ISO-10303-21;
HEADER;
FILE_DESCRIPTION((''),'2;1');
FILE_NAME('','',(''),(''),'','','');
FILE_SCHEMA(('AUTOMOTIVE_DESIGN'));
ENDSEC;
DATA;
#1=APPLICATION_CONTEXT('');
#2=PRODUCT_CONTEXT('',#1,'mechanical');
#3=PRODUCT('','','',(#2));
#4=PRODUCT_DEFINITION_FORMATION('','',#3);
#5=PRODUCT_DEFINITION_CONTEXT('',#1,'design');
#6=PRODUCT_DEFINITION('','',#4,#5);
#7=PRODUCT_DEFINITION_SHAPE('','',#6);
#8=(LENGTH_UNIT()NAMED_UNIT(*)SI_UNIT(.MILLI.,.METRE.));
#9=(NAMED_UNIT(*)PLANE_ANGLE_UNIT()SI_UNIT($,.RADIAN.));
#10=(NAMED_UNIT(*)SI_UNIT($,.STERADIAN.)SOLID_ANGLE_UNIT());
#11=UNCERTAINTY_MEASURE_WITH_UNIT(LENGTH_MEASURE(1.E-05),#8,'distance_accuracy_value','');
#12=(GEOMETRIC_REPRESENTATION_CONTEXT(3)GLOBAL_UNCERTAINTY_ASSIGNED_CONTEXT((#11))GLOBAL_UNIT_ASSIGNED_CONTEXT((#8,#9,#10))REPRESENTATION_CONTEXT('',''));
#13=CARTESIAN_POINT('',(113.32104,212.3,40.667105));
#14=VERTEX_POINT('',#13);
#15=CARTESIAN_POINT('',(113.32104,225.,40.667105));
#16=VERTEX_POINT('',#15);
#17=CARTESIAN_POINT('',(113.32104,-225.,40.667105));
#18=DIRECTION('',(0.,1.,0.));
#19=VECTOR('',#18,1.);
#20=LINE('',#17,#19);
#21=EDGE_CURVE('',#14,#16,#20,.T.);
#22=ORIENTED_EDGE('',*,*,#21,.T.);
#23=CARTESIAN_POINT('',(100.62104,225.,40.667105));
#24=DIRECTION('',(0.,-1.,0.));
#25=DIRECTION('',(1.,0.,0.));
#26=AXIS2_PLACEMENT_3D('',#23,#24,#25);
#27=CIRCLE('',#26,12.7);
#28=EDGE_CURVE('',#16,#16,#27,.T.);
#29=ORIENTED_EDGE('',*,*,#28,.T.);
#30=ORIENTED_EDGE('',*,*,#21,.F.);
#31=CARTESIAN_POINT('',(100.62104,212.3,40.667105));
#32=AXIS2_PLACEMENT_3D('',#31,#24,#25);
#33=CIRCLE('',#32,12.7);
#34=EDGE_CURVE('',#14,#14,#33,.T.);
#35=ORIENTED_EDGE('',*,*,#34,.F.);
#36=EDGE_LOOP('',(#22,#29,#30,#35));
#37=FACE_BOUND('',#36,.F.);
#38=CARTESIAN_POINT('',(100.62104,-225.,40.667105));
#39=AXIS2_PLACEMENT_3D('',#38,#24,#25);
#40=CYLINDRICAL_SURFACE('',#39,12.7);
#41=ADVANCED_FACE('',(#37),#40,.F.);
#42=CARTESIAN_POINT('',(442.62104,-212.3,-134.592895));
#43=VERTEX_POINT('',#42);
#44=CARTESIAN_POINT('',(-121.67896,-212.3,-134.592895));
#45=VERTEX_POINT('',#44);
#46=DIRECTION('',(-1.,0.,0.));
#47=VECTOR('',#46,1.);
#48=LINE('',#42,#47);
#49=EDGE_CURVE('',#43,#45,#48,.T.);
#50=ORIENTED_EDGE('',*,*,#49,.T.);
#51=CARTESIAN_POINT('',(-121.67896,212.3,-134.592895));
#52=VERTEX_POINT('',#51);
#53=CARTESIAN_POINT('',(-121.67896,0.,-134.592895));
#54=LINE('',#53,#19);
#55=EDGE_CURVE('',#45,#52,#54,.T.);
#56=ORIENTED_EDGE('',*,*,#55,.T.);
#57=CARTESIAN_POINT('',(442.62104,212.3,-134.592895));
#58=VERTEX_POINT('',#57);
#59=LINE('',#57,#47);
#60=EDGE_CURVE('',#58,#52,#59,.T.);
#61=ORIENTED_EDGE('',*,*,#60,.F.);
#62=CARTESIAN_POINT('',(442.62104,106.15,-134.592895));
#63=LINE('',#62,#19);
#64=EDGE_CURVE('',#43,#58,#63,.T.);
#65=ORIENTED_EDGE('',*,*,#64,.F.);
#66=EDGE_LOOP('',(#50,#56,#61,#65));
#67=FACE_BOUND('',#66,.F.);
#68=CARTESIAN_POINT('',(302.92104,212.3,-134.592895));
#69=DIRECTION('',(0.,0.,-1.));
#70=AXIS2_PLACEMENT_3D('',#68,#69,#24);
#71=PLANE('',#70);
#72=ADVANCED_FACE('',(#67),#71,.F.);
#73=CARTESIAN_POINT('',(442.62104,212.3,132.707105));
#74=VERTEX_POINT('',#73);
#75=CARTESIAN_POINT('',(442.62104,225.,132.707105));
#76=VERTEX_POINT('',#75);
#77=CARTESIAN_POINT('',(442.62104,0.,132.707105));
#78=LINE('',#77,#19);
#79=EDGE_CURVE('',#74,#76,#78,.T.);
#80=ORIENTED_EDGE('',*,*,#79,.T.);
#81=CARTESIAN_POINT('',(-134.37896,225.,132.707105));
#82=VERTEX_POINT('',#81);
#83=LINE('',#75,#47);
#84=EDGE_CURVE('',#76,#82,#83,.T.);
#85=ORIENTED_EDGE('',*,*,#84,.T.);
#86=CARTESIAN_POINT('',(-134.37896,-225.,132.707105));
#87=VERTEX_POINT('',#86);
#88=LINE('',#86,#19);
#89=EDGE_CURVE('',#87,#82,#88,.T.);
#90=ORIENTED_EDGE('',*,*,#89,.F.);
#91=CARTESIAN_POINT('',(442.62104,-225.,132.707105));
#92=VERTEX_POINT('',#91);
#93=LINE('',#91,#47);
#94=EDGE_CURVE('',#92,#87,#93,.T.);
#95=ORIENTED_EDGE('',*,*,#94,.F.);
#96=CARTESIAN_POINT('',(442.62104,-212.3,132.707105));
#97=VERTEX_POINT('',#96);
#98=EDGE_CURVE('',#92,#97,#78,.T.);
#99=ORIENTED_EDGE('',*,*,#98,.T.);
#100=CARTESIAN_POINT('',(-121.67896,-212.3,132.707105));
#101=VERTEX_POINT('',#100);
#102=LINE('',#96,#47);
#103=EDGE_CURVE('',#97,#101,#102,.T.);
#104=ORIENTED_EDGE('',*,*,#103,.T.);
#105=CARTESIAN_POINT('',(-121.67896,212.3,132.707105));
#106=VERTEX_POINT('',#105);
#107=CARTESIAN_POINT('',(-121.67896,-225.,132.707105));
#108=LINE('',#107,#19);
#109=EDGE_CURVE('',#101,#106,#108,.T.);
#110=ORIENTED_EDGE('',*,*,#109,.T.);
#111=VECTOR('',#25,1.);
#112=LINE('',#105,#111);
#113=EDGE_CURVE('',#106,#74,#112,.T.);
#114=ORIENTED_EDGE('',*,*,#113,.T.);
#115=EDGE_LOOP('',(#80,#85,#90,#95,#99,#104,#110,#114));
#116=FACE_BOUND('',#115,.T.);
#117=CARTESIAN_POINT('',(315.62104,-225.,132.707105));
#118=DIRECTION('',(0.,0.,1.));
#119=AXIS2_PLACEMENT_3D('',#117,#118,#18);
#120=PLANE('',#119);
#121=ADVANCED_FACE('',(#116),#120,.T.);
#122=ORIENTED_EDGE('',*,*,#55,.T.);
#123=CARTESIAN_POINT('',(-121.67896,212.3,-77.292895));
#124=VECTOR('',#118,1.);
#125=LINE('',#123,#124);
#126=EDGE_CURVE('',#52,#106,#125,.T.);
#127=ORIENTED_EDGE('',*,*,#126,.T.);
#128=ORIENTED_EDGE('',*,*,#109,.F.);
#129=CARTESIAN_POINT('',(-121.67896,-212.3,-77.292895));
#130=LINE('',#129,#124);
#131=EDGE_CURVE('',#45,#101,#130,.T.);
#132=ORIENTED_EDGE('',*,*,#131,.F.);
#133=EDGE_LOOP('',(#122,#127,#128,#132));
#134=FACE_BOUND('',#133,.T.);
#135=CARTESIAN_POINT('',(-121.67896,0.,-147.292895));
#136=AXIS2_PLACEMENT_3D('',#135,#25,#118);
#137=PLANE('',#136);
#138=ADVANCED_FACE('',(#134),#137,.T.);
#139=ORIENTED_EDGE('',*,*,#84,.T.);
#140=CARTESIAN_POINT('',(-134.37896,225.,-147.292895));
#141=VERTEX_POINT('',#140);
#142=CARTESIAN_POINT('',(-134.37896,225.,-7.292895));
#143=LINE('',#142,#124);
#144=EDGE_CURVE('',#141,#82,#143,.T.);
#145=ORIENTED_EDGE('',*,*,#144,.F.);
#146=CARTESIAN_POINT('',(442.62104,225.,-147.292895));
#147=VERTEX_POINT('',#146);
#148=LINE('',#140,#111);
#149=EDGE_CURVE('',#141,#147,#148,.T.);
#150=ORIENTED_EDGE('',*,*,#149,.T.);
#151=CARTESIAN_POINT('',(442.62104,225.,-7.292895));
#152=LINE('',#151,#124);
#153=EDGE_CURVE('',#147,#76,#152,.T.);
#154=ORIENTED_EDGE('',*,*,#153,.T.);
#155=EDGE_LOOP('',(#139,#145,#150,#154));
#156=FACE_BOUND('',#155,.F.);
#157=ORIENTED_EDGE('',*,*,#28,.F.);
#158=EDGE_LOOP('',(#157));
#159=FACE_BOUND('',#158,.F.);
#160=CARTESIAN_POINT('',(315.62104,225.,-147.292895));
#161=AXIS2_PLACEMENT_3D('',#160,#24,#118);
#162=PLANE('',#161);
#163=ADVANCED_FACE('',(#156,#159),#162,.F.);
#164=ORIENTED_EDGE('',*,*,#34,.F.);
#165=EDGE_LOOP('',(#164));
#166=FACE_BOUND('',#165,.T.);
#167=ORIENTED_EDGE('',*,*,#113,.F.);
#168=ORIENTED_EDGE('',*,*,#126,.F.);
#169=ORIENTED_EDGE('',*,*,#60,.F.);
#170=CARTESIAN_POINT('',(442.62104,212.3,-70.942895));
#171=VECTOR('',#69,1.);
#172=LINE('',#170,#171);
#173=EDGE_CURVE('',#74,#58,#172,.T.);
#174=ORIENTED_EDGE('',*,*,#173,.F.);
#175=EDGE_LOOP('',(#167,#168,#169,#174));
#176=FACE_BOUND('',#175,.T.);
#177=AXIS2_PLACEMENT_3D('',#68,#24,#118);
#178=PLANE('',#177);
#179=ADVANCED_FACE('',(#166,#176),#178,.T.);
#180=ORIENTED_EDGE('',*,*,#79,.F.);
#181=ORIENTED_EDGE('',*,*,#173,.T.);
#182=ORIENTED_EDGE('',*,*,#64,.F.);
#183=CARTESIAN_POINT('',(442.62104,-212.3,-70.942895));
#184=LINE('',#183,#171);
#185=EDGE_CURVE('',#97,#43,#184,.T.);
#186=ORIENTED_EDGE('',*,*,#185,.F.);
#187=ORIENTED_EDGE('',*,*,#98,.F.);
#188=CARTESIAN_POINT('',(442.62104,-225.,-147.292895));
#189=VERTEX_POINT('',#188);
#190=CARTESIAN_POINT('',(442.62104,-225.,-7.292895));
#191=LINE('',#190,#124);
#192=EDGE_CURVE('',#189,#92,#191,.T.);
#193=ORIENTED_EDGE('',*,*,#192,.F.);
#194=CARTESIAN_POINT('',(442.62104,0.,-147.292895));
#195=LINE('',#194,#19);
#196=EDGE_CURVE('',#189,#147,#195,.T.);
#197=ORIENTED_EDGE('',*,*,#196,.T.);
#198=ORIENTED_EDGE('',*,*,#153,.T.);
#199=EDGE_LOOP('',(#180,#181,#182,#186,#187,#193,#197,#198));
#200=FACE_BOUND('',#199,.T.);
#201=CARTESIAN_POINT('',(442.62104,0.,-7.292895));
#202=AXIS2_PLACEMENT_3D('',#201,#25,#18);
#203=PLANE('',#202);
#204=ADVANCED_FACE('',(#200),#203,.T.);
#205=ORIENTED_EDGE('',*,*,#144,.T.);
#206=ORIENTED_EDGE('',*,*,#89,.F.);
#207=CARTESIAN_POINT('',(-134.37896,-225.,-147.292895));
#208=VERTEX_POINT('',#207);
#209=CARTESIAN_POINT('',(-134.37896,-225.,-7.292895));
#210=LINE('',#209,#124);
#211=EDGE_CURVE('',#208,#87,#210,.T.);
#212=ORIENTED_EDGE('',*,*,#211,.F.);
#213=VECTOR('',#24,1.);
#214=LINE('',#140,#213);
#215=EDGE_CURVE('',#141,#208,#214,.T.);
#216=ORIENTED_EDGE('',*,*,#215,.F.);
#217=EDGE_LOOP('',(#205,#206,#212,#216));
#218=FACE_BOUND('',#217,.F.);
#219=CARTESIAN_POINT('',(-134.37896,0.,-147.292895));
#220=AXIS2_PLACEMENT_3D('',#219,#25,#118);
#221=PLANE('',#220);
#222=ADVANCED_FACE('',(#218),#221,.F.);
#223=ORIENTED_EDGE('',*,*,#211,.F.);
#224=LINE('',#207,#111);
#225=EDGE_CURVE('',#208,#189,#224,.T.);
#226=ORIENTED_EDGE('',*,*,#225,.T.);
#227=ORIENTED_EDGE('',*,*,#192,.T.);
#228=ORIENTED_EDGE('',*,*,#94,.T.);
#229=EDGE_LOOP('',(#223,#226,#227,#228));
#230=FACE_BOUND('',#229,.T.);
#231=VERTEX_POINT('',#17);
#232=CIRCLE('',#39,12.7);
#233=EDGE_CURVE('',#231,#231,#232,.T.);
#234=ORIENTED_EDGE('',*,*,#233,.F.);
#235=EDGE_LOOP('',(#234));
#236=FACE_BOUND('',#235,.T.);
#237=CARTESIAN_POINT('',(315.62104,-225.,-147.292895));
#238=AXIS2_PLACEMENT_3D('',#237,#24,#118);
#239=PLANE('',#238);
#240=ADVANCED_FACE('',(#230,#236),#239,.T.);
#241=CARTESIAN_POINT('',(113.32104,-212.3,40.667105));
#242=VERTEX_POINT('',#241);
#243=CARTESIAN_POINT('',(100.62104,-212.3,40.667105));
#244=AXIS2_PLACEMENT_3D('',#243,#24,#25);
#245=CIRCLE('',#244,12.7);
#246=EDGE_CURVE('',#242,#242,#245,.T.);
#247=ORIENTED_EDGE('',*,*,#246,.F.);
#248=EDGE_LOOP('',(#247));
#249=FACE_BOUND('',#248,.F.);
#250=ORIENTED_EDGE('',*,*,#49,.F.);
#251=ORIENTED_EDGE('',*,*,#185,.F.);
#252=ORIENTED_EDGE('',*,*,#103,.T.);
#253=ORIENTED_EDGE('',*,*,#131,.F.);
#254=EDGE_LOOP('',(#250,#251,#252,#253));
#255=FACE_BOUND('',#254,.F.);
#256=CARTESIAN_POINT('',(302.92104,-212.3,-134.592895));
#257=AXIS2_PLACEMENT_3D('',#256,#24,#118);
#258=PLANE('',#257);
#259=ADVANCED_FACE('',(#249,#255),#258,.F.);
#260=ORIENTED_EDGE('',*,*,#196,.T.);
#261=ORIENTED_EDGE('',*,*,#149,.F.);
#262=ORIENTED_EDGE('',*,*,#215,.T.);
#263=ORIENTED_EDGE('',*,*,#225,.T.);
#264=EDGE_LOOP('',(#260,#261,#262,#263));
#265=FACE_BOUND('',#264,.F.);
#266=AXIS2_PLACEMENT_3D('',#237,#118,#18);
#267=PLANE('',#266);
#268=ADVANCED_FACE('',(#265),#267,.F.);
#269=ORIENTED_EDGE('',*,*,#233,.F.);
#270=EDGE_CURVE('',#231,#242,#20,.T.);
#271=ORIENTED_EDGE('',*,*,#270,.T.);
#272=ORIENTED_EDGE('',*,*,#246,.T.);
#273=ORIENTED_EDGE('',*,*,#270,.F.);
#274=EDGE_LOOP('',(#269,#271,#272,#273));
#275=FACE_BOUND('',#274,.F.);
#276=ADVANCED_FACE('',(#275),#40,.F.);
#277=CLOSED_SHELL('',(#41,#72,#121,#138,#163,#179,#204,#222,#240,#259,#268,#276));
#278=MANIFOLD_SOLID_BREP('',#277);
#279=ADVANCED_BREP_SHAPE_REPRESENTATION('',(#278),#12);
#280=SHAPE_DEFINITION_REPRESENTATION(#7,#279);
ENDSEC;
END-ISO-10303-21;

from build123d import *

# Parameters (mm, degrees)
F0_W     = 450
F0_H     = 280
F1_DEPTH = 225
F2_T     = -12.7
F3_R     = 12.7
F4_DEPTH = 450.001
F5_W     = 450
F5_H     = 280
F6_DEPTH = 127
F7_W     = 424.6
F7_H     = 267.3
F8_DEPTH = 139.701


with BuildPart() as f1:
    # F0 (on Front) → F1 (new body, symmetric)
    with BuildSketch(Plane.XZ):
        with Locations((90.62104, -7.292895)):
            Rectangle(F0_W, F0_H)
    extrude(amount=F1_DEPTH, both=True)

    # F2
    f2_openings = [f1.faces().sort_by_distance(p)[0] for p in [
        (90.62104, 0, 132.707105),
    ]]
    offset(amount=F2_T, openings=f2_openings)

    # F3 (on face) → F4 (cut, through all)
    with BuildSketch(Plane.XZ.offset(225)):
        with Locations((100.62104, 40.667105)):
            Circle(F3_R)
    extrude(amount=-F4_DEPTH, mode=Mode.SUBTRACT)

    # F5 (on face) → F6 (join)
    with BuildSketch(Plane.YZ.offset(315.62104)):
        with Locations((0, -7.292895)):
            Rectangle(F5_W, F5_H)
    extrude(amount=F6_DEPTH)

    # F7 (on face) → F8 (cut, through all)
    with BuildSketch(Plane(origin=(302.92104, 0, 0), x_dir=(0, -1, 0), z_dir=(-1, 0, 0))):
        with Locations((0, -0.942895)):
            Rectangle(F7_W, F7_H)
    extrude(amount=-F8_DEPTH, mode=Mode.SUBTRACT)


solid = f1.part
